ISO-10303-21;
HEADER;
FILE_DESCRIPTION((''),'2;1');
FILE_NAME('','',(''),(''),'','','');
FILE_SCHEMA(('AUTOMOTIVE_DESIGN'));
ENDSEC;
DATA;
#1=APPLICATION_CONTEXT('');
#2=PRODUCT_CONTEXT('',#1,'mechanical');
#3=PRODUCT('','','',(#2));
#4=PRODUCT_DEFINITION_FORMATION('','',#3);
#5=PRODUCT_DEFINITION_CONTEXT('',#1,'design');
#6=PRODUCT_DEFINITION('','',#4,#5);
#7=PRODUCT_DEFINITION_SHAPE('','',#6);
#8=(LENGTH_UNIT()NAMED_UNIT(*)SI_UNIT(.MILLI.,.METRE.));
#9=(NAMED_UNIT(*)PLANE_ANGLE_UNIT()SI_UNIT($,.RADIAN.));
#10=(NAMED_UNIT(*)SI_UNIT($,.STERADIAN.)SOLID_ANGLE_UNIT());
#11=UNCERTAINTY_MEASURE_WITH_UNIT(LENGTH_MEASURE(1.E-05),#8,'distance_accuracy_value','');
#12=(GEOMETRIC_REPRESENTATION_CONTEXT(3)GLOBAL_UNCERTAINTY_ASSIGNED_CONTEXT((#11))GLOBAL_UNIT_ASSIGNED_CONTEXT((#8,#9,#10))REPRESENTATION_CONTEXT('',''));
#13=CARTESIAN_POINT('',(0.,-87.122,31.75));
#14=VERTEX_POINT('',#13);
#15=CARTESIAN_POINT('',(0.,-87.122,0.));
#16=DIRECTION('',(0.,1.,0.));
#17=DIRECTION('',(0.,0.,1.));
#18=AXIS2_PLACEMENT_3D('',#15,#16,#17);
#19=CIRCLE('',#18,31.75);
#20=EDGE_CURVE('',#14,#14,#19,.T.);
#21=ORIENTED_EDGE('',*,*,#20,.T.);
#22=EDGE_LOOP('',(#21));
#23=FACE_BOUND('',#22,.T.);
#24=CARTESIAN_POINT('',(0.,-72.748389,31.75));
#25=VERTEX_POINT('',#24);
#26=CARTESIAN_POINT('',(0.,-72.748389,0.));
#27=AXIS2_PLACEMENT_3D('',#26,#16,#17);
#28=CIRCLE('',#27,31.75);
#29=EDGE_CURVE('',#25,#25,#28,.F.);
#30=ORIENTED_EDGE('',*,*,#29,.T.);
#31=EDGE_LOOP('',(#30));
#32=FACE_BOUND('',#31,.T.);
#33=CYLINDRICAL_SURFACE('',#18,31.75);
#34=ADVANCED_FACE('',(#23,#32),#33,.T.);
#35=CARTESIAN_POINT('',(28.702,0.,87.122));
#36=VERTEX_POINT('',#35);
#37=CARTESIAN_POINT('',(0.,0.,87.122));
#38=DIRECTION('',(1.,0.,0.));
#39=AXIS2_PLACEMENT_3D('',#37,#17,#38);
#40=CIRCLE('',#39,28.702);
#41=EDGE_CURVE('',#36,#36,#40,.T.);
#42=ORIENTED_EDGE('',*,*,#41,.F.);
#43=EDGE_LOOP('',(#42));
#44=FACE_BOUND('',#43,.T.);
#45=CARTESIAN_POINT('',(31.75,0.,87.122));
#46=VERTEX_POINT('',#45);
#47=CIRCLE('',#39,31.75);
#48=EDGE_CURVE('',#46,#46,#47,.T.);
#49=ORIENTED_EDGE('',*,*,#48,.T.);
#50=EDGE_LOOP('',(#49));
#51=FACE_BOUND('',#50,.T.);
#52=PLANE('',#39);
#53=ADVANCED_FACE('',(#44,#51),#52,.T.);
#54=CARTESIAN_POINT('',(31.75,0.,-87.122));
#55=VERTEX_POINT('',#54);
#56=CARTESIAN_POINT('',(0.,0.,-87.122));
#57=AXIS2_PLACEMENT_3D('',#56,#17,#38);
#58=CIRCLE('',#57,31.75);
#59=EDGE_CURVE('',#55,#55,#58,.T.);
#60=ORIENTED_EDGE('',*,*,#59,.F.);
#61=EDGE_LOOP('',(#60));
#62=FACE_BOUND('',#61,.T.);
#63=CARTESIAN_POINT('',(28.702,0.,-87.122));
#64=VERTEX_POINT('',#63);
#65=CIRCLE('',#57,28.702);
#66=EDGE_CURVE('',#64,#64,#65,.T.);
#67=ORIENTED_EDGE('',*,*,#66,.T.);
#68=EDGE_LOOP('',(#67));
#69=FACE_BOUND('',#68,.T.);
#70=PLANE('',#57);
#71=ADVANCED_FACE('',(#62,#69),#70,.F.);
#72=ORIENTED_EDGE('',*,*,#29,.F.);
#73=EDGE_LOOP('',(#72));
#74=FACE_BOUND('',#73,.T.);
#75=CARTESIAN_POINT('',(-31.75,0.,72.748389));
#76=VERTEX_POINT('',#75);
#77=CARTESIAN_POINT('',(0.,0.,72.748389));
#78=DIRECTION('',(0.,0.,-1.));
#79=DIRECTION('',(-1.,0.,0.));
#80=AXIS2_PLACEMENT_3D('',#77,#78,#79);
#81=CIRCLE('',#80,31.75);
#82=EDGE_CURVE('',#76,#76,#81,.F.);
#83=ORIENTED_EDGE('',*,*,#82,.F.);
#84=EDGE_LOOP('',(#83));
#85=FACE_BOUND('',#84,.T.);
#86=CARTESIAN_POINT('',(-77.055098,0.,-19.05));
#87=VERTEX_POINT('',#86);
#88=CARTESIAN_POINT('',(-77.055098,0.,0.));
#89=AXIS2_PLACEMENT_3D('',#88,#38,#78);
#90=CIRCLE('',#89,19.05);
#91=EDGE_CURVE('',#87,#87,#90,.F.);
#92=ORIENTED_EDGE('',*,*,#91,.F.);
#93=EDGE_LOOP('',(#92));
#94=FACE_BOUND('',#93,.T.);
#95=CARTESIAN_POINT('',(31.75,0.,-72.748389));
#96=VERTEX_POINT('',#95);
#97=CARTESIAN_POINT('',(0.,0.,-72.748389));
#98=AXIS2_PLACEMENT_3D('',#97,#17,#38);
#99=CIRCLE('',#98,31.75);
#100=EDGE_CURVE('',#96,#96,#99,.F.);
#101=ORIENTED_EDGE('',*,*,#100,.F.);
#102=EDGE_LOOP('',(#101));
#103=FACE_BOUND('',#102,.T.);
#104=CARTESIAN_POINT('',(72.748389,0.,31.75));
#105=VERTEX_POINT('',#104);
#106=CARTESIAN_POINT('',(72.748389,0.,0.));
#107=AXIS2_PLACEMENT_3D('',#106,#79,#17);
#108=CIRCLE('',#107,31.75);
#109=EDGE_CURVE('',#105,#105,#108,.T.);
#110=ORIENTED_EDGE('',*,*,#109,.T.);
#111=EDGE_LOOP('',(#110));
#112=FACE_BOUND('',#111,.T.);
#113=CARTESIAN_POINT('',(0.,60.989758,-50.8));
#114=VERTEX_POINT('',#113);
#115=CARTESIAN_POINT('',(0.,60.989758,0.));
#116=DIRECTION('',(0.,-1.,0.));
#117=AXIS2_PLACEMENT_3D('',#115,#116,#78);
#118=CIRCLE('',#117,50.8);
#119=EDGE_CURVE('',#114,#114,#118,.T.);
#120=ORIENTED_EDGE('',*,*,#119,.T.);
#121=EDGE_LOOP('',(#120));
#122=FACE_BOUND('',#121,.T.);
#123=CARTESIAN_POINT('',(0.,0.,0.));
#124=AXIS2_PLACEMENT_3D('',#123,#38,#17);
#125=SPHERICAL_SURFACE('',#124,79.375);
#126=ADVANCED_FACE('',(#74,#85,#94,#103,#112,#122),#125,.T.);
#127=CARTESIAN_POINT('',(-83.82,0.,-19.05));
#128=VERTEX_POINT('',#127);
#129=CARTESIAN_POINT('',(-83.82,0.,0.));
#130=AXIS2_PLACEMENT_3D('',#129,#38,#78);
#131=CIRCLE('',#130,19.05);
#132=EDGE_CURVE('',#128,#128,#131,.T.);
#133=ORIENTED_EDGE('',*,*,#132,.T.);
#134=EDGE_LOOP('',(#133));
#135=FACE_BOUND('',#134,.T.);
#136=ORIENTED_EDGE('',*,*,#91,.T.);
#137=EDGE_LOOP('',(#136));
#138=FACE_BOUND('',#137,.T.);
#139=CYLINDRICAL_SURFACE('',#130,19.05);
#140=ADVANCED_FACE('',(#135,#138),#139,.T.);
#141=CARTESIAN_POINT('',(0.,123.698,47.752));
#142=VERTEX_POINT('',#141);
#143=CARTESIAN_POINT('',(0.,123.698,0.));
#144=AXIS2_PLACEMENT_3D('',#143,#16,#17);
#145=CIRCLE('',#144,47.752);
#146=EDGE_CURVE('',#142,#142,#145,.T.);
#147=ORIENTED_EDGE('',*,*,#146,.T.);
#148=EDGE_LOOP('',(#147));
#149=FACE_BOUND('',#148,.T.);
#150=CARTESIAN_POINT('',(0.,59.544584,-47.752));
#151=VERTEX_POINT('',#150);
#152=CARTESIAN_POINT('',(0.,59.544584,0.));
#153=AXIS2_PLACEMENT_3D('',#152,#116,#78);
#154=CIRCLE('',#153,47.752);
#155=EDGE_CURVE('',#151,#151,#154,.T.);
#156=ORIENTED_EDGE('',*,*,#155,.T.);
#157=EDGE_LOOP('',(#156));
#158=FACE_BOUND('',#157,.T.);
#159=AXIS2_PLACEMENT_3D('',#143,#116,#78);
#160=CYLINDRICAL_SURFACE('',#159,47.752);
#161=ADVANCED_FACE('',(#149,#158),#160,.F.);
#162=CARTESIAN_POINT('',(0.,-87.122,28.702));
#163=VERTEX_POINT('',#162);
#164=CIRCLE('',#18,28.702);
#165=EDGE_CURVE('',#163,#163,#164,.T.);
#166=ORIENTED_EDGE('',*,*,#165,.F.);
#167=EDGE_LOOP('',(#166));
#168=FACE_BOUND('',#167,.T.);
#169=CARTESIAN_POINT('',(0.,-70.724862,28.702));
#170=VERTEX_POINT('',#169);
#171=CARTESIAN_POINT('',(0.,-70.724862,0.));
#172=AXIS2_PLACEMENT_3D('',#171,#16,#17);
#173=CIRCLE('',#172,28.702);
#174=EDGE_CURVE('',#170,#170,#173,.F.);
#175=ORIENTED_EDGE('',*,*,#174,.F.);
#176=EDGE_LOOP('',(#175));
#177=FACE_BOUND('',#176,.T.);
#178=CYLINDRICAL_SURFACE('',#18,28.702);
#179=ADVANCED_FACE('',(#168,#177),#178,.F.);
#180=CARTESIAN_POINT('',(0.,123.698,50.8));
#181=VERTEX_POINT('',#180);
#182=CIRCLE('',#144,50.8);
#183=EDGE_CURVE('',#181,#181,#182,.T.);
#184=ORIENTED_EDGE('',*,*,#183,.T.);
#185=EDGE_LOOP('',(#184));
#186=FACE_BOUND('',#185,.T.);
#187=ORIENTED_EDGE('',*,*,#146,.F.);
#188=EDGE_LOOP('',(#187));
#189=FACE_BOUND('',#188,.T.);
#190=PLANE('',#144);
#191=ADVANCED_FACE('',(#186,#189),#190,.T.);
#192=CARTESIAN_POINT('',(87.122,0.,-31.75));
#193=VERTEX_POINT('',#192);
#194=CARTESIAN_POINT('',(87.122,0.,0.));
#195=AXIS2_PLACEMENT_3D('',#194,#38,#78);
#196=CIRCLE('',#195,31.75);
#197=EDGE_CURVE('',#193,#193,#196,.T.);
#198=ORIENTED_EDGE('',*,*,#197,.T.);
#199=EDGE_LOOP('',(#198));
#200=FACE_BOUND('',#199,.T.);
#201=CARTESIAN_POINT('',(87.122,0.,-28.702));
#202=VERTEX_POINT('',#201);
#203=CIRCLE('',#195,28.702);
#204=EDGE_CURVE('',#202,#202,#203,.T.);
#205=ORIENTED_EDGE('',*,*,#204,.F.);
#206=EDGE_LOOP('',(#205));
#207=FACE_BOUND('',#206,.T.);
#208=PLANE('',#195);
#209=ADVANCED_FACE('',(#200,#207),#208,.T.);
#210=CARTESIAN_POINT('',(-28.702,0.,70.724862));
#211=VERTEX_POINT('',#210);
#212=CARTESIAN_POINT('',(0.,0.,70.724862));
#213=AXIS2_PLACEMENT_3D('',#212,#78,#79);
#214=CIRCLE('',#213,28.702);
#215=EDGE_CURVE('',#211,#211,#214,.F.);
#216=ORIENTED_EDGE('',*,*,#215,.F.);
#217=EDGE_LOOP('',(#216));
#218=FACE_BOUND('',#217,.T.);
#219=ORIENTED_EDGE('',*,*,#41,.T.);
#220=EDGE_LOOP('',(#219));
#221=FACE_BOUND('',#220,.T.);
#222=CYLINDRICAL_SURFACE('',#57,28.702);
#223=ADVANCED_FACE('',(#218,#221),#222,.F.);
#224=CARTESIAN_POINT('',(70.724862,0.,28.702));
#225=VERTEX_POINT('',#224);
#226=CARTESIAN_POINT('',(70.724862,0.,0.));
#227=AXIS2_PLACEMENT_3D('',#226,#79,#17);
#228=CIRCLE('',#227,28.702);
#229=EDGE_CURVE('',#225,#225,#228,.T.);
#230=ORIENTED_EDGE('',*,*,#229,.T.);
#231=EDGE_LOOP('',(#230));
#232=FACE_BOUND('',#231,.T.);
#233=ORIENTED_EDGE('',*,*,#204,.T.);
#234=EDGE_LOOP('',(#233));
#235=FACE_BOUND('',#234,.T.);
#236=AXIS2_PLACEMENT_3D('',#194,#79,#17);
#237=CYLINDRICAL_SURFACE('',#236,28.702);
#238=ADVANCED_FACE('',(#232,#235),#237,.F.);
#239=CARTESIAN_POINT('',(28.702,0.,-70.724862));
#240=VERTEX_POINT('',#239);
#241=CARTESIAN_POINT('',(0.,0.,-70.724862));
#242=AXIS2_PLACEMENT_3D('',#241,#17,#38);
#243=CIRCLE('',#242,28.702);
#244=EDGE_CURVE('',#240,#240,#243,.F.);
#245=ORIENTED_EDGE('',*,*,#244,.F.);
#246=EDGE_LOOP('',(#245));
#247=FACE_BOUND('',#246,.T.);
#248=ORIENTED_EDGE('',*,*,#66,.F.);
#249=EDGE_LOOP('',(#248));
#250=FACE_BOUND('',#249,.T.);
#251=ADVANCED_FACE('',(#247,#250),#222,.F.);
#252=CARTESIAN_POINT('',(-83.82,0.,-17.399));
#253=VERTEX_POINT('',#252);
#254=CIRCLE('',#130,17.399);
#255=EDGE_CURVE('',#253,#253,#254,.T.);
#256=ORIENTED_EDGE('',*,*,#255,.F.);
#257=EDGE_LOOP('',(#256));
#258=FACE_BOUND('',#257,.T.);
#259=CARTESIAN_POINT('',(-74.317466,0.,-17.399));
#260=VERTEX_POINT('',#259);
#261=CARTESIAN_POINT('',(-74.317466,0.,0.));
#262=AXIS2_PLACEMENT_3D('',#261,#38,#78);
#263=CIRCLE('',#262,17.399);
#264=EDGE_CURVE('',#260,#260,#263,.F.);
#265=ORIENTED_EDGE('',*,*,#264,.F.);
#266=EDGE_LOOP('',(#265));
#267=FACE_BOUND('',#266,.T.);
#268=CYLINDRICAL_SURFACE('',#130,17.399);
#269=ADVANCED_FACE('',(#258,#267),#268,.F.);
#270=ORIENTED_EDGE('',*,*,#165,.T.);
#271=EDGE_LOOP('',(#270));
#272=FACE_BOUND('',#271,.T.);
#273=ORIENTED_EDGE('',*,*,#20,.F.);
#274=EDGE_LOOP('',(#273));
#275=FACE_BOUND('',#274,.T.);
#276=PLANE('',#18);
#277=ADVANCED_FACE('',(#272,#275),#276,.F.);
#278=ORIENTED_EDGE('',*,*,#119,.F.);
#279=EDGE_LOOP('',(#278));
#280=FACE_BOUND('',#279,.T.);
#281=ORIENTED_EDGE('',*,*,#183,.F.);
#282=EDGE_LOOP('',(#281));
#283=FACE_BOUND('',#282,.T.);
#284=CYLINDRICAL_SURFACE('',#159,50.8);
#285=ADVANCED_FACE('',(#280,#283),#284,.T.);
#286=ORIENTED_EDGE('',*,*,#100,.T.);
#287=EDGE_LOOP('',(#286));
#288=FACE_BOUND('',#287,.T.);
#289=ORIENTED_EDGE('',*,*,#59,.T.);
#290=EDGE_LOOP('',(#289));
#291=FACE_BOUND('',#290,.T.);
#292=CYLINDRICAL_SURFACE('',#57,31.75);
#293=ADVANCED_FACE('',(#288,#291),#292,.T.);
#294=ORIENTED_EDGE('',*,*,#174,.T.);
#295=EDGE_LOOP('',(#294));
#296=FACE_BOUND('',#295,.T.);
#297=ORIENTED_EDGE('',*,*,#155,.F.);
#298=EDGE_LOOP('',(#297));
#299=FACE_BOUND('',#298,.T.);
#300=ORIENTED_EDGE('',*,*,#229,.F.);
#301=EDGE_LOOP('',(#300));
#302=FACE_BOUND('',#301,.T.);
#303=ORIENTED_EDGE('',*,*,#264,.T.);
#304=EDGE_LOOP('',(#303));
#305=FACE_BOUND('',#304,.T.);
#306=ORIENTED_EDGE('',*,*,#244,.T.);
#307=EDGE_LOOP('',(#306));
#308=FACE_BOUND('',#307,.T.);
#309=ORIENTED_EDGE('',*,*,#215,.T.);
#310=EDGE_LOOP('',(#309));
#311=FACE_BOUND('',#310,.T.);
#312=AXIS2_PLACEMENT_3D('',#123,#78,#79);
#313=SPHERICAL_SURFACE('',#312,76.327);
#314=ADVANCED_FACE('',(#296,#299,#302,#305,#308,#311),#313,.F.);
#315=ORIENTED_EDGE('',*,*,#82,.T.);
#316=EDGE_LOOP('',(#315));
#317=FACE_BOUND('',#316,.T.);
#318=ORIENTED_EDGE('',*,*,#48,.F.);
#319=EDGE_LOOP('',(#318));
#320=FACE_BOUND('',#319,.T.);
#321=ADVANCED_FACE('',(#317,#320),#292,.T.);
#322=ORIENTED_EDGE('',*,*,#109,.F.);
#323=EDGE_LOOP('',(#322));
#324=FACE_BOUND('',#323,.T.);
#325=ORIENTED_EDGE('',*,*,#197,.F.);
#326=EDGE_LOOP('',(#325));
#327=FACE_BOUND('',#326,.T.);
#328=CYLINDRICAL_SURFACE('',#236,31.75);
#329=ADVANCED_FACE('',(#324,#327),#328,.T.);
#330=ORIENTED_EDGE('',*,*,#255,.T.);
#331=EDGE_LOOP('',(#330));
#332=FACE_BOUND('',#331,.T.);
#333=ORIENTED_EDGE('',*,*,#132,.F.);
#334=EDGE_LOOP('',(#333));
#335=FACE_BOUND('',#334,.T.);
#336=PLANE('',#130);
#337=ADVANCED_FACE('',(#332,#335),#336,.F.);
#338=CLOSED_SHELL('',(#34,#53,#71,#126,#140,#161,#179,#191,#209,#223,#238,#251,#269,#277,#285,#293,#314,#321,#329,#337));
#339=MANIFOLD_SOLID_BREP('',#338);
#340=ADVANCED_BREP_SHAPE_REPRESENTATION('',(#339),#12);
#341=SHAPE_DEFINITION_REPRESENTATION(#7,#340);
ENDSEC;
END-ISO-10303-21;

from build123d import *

# Parameters (mm, degrees)
SKETCH1_R                = 50.8
BOSS_EXTRUDE1_DEPTH      = 123.698
SKETCH31_R               = 31.75
BOSS_EXTRUDE6_DEPTH      = 87.122
SKETCH7_R                = 31.75
BOSS_EXTRUDE3_DEPTH      = 87.122
BOSS_EXTRUDE3_DEPTH_BACK = 87.122
SKETCH9_R                = 31.75
BOSS_EXTRUDE4_DEPTH      = 87.122
SKETCH11_R               = 19.05
BOSS_EXTRUDE5_DEPTH      = 83.82
SKETCH12_R               = 47.752
CUT_EXTRUDE4_DEPTH       = 124.6980001
SKETCH32_R               = 28.702
CUT_EXTRUDE8_DEPTH       = 88.1220001
SKETCH13_R               = 28.702
CUT_EXTRUDE5_DEPTH       = 88.122
CUT_EXTRUDE5_DEPTH_BACK  = 88.122
SKETCH14_R               = 28.702
CUT_EXTRUDE6_DEPTH       = 88.122
SKETCH15_R               = 17.399
CUT_EXTRUDE7_DEPTH       = 84.82


with BuildPart() as part:
    # Sketch1 → Boss-Extrude1 (new body)
    with BuildSketch(Plane(origin=(0, 0, 0), x_dir=(1, 0, 0), z_dir=(0, 1, 0))):
        Circle(SKETCH1_R)
    extrude(amount=BOSS_EXTRUDE1_DEPTH)

    # Sketch31 → Boss-Extrude6 (add)
    with BuildSketch(Plane(origin=(0, 0, 0), x_dir=(1, 0, 0), z_dir=(0, 1, 0))):
        Circle(SKETCH31_R)
    extrude(amount=-BOSS_EXTRUDE6_DEPTH)

    # Sketch7 → Boss-Extrude3 (add, two sides)
    with BuildSketch(Plane.XY) as boss_extrude3_sk:
        Circle(SKETCH7_R)
    extrude(amount=BOSS_EXTRUDE3_DEPTH)
    extrude(boss_extrude3_sk.sketch, amount=-BOSS_EXTRUDE3_DEPTH_BACK)

    # Sketch9 → Boss-Extrude4 (add)
    with BuildSketch(Plane(origin=(0, 0, 0), x_dir=(0, 0, -1), z_dir=(1, 0, 0))):
        Circle(SKETCH9_R)
    extrude(amount=BOSS_EXTRUDE4_DEPTH)

    # Sketch11 → Boss-Extrude5 (add)
    with BuildSketch(Plane(origin=(0, 0, 0), x_dir=(0, 0, -1), z_dir=(1, 0, 0))):
        Circle(SKETCH11_R)
    extrude(amount=-BOSS_EXTRUDE5_DEPTH)

    # Sketch23 → Revolve-Thin2 (revolve)
    with BuildSketch(Plane(origin=(0, 0, 0), x_dir=(1, 0, 0), z_dir=(0, 1, 0))):
        with BuildLine():
            ThreePointArc((-79.375, 0), (0, 79.375), (79.375, 0))
            Line((79.375, 0), (69.375, 0))
            ThreePointArc((69.375, 0), (0, 69.375), (-69.375, 0))
            Line((-69.375, 0), (-79.375, 0))
        make_face()
    revolve(axis=Axis((79.375, 0, 0), (-1, 0, 0)))

    # Sketch12 → Cut-Extrude4 (cut, through all)
    with BuildSketch(Plane(origin=(0, 0, 0), x_dir=(1, 0, 0), z_dir=(0, 1, 0))):
        Circle(SKETCH12_R)
    extrude(amount=CUT_EXTRUDE4_DEPTH, mode=Mode.SUBTRACT)

    # Sketch32 → Cut-Extrude8 (cut, through all)
    with BuildSketch(Plane(origin=(0, 0, 0), x_dir=(1, 0, 0), z_dir=(0, 1, 0))):
        Circle(SKETCH32_R)
    extrude(amount=-CUT_EXTRUDE8_DEPTH, mode=Mode.SUBTRACT)

    # Sketch13 → Cut-Extrude5 (cut, two sides)
    with BuildSketch(Plane.XY) as cut_extrude5_sk:
        Circle(SKETCH13_R)
    extrude(amount=CUT_EXTRUDE5_DEPTH, mode=Mode.SUBTRACT)
    extrude(cut_extrude5_sk.sketch, amount=-CUT_EXTRUDE5_DEPTH_BACK, mode=Mode.SUBTRACT)

    # Sketch14 → Cut-Extrude6 (cut, through all)
    with BuildSketch(Plane(origin=(0, 0, 0), x_dir=(0, 0, -1), z_dir=(1, 0, 0))):
        Circle(SKETCH14_R)
    extrude(amount=CUT_EXTRUDE6_DEPTH, mode=Mode.SUBTRACT)

    # Sketch15 → Cut-Extrude7 (cut, through all)
    with BuildSketch(Plane(origin=(0, 0, 0), x_dir=(0, 0, -1), z_dir=(1, 0, 0))):
        Circle(SKETCH15_R)
    extrude(amount=-CUT_EXTRUDE7_DEPTH, mode=Mode.SUBTRACT)

    # Sketch26 → Cut-Revolve1 (revolve, cut)
    with BuildSketch(Plane(origin=(0, 0, 0), x_dir=(1, 0, 0), z_dir=(0, 1, 0))):
        with BuildLine():
            Line((0, 76.327), (0, -76.327))
            ThreePointArc((0, -76.327), (76.327, 0), (0, 76.327))
        make_face()
    revolve(axis=Axis((0, 0, -76.327), (0, 0, 1)), mode=Mode.SUBTRACT)


solid = part.part
